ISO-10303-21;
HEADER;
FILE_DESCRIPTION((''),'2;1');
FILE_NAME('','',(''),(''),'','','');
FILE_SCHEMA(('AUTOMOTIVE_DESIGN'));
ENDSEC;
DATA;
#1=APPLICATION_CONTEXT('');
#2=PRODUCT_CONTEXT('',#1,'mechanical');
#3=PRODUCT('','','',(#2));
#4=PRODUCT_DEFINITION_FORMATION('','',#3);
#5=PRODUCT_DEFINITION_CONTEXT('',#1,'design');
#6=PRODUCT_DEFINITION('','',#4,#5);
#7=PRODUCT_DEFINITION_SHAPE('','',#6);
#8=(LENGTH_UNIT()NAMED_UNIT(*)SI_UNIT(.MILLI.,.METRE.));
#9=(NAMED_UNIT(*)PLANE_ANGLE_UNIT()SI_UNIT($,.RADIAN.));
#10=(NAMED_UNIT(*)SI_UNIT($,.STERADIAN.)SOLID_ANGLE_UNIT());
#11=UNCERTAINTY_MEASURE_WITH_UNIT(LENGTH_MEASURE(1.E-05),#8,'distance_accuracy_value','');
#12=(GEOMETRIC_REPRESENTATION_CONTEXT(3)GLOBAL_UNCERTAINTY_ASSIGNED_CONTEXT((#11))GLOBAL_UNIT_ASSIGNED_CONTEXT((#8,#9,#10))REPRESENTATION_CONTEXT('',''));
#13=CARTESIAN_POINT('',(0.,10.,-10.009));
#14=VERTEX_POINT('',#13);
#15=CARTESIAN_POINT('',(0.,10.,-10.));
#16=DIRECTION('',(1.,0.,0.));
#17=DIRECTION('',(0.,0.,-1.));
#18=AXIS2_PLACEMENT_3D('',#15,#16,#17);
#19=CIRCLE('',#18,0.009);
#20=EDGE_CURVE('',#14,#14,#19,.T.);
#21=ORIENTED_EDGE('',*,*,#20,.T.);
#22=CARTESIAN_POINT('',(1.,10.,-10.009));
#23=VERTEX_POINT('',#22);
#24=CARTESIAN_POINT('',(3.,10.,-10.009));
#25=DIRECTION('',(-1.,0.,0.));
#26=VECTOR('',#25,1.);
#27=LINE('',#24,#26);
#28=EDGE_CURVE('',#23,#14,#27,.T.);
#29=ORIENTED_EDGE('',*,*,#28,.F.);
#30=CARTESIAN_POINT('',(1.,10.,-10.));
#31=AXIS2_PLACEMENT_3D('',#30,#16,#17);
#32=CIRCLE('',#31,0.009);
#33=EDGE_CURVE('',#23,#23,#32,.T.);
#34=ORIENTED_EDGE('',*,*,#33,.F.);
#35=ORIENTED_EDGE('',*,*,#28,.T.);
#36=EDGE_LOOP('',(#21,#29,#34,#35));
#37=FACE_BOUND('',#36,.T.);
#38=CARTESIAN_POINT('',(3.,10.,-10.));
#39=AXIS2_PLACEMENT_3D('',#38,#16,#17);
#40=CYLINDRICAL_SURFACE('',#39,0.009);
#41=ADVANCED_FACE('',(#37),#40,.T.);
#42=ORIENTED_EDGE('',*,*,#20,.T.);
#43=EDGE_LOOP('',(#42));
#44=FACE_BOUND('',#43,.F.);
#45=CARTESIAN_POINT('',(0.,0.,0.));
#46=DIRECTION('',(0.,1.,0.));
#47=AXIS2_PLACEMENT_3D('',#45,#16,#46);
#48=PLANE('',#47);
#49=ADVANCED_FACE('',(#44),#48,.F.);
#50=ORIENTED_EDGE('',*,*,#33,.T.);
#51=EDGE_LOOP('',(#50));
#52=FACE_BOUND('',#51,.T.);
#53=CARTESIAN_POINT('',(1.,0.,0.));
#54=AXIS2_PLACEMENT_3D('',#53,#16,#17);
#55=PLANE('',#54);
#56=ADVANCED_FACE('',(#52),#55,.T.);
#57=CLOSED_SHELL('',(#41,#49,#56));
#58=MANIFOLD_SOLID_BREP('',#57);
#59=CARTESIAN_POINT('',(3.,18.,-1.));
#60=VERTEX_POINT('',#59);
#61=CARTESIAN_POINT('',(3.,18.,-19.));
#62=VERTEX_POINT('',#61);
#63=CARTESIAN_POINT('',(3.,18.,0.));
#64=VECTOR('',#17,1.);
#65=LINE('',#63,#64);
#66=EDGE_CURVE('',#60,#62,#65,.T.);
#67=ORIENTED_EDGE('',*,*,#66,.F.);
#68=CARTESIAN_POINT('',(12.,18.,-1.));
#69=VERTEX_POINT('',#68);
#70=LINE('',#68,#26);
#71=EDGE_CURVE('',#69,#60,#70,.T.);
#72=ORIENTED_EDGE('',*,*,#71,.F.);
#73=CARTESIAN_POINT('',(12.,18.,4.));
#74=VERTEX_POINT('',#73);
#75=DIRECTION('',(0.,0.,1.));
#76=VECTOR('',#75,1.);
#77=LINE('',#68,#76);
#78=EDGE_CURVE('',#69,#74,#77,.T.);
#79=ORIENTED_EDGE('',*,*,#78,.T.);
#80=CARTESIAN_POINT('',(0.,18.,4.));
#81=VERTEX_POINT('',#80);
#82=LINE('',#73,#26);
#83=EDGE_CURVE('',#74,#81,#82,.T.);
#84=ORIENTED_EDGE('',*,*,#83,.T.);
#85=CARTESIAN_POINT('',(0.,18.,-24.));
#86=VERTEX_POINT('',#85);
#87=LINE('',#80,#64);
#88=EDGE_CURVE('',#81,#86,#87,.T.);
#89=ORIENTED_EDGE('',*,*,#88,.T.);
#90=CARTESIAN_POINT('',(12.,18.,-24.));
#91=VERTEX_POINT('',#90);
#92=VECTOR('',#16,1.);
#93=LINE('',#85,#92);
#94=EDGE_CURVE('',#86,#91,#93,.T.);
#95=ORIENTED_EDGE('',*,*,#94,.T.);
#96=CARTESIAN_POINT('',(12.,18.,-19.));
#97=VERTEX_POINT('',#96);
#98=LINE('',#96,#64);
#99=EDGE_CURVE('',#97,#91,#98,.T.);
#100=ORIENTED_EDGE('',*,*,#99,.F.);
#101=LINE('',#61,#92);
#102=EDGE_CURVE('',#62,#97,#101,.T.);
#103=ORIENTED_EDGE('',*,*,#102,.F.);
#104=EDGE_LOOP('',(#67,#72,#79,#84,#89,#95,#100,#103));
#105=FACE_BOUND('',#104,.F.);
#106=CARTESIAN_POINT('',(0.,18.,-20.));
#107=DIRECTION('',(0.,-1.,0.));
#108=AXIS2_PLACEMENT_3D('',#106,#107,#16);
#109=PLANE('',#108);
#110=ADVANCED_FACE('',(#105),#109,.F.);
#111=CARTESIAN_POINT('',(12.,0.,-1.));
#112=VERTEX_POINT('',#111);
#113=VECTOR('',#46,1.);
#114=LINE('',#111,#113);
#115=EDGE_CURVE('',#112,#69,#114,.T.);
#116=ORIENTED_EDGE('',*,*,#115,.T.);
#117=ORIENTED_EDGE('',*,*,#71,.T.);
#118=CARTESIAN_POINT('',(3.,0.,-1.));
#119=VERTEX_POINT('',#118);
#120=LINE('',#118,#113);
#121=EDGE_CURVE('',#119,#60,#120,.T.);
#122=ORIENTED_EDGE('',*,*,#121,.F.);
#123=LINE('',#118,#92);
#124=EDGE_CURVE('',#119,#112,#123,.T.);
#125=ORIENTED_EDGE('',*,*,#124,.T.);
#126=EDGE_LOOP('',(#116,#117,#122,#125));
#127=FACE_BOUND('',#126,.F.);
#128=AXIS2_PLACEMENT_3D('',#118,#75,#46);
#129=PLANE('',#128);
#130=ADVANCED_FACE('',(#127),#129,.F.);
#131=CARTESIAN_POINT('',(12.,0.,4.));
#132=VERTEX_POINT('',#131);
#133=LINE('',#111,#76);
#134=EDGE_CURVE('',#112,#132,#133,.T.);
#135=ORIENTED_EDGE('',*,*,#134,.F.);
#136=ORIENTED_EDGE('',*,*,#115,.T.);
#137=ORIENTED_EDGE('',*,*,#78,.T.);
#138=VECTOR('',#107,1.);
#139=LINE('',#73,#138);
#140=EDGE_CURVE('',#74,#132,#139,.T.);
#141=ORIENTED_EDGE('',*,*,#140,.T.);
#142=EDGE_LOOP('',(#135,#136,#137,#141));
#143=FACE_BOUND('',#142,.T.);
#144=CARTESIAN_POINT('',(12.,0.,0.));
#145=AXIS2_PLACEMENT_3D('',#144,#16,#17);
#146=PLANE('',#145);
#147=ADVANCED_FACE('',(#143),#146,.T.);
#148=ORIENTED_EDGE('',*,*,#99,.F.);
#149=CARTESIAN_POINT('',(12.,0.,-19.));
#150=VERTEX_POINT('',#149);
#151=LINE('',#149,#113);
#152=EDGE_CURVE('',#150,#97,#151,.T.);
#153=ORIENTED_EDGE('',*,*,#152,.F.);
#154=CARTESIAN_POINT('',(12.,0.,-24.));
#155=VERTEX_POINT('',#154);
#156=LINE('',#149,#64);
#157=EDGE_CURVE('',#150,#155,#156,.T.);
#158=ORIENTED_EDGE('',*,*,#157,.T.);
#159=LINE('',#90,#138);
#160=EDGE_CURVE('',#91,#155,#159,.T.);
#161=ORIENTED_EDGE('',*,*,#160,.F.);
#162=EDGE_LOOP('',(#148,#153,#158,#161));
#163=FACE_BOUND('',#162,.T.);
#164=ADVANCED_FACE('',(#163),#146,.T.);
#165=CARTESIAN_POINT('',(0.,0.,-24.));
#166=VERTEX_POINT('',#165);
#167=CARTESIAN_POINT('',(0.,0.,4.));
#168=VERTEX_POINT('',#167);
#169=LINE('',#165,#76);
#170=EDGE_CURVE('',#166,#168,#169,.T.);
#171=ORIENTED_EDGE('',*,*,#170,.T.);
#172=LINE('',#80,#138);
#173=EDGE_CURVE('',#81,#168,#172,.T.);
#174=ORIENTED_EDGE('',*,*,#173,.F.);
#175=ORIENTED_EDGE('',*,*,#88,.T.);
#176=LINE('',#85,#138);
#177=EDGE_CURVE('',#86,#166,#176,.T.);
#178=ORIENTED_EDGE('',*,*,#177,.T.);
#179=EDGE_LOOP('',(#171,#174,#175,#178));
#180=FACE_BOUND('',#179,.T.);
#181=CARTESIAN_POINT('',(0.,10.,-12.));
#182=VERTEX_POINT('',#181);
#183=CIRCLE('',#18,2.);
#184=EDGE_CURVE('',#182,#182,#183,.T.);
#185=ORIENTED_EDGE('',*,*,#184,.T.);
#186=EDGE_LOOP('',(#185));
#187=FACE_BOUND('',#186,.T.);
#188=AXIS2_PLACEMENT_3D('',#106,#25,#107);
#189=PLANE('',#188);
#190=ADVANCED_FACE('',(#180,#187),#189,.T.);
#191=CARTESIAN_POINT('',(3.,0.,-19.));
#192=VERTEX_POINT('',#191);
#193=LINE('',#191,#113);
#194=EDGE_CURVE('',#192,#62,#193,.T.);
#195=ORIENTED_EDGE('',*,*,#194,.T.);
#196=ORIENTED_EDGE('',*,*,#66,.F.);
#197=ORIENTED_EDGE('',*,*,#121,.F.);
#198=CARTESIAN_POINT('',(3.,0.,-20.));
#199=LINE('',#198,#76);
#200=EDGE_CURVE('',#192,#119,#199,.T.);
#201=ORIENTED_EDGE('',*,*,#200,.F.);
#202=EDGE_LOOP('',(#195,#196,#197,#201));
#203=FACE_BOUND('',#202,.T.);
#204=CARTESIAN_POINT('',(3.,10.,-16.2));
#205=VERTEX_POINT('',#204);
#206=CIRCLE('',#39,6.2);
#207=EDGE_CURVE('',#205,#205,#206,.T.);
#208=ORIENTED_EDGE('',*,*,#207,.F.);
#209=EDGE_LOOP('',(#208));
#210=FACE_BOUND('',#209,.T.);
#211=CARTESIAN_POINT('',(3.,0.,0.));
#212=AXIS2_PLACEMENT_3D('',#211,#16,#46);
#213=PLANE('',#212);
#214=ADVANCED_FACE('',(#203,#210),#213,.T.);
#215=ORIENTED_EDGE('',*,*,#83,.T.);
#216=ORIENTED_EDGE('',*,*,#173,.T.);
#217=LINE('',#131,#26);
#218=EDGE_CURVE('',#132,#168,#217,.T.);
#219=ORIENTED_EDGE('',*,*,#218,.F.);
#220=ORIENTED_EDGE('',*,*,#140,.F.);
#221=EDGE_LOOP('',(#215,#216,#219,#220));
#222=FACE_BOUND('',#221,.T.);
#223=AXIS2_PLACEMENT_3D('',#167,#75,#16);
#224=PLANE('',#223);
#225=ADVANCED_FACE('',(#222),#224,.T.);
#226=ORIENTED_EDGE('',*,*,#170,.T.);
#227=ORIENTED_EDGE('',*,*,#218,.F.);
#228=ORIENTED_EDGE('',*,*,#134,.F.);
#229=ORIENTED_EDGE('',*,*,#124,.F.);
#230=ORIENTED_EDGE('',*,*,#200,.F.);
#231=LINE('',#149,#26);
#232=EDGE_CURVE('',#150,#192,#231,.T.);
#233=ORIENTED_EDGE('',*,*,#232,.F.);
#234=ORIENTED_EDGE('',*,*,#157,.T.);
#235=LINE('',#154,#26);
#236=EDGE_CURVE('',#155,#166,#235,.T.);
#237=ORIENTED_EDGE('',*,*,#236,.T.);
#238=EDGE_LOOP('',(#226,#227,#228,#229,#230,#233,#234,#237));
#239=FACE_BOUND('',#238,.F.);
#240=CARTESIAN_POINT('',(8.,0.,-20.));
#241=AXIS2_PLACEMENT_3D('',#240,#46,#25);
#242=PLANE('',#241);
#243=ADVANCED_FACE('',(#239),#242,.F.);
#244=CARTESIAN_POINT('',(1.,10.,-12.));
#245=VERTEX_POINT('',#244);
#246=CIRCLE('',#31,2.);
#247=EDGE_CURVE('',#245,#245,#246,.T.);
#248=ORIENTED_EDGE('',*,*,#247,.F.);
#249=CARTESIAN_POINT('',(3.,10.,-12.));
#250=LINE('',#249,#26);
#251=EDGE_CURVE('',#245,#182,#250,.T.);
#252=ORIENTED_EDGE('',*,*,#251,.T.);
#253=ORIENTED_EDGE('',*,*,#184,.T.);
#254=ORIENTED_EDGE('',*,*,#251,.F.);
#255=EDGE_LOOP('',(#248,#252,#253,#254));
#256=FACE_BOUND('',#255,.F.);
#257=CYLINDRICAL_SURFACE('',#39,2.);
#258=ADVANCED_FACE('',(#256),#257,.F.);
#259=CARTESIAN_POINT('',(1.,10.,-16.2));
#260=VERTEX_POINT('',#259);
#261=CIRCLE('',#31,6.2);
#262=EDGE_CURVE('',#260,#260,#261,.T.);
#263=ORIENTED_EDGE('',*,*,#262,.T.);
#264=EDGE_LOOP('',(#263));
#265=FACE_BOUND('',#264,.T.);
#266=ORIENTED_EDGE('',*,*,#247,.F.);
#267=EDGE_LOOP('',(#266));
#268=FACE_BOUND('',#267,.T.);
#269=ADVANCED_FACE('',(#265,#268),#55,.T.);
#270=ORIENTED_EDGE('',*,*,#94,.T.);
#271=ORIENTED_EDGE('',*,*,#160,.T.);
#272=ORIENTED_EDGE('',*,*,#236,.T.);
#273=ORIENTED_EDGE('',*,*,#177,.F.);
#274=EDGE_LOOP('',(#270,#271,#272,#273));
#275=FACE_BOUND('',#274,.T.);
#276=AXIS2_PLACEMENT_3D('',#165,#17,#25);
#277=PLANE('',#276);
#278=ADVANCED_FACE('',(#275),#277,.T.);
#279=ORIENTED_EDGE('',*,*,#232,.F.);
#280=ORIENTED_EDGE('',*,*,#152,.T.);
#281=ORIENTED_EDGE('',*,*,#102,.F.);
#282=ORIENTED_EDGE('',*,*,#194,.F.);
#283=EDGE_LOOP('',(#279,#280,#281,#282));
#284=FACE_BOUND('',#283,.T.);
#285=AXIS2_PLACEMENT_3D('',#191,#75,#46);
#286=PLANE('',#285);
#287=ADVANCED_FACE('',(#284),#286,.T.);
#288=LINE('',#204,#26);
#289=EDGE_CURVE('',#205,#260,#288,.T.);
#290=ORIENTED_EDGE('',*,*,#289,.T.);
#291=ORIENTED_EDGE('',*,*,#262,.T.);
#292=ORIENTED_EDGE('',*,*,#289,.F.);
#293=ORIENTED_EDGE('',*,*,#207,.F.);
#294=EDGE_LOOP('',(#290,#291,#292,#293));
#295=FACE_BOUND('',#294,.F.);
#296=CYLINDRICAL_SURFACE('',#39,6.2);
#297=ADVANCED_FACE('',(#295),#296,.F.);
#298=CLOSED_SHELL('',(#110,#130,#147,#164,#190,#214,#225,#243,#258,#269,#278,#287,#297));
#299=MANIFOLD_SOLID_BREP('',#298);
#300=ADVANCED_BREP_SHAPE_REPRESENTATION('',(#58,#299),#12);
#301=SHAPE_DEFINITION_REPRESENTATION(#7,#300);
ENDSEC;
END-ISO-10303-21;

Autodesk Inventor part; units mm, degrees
ref_plane "YZ Plane" through (0, 0, 0) normal (1, 0, 0) x (0, 1, 0)
ref_plane "XZ Plane" through (0, 0, 0) normal (0, 1, 0) x (-1, 0, 0)
ref_plane "XY Plane" through (0, 0, 0) normal (0, 0, 1) x (1, 0, 0)
sketch "Sketch1" plane through (0, 0, 0) normal (1, 0, 0) x (0, 1, 0)
  line L0 (0, 0) -> (18, 0)
  line L1 (18, 0) -> (18, -20)
  line L2 (18, -20) -> (0, -20)
  line L3 (0, -20) -> (0, 0)
  dimension "d0" = 18
  dimension "d1" = 20
extrude "Extrusion1" add sketch "Sketch1" along normal blind 3
sketch "Sketch2" plane through (3, 0, 0) normal (1, 0, 0) x (0, 0, -1)
  line L0 (0, 0) -> (20, 0) projected
  line L1 (20, 18) -> (0, 18) projected
  line L2 (0, 0) -> (1, 0)
  line L3 (1, 0) -> (1, 18)
  line L4 (1, 18) -> (0, 18)
  line L5 (0, 18) -> (0, 0)
  line L6 (20, 0) -> (20, 18) projected
  line L7 (20, 0) -> (19, 0)
  line L8 (19, 0) -> (19, 18)
  line L9 (19, 18) -> (20, 18)
  line L10 (20, 18) -> (20, 0)
  dimension "d4" = 1
  dimension "d5" = 1
extrude "Extrusion2" add sketch "Sketch2" along normal blind 5 contours L5 L1 L3 L0 | L8 L1 L6 L0
sketch "Sketch3" plane through (3, 0, 0) normal (1, 0, 0) x (0, 0, -1)
  circle A0 centre (10, 10) radius 0.009
  circle A1 centre (10, 10) radius 2
  point P0 (0, 0)
  dimension "d8" = 4
extrude "Extrusion3" cut sketch "Sketch3" against normal blind 5
sketch "Sketch4" plane through (0, 0, 0) normal (0, 0, 1) x (1, 0, 0)
  line L0 (0, 0) -> (8, 0)
  line L1 (8, 0) -> (8, 18)
  line L2 (8, 18) -> (0, 18)
  line L3 (0, 18) -> (0, 0)
extrude "Extrusion4" add sketch "Sketch4" along normal blind 4
sketch "Sketch5" plane through (0, 0, -20) normal (0, 0, -1) x (-1, 0, 0)
  line L0 (0, 18) -> (0, 0) projected
  line L1 (-8, 0) -> (-8, 18) projected
  line L2 (0, 18) -> (-8, 18)
  line L3 (-8, 18) -> (-8, 0)
  line L4 (-8, 0) -> (0, 0)
  line L5 (0, 0) -> (0, 18)
extrude "Extrusion5" add sketch "Sketch5" along normal blind 4
sketch "Sketch6" plane through (8, 0, 0) normal (1, 0, 0) x (0, 0, -1)
  line L0 (19, 0) -> (24, 0) projected
  line L1 (24, 0) -> (19, 0)
  line L2 (19, 0) -> (19, 18)
  line L3 (19, 18) -> (24, 18)
  line L4 (24, 18) -> (24, 0)
  line L5 (1, 0) -> (-4, 0) projected
  line L6 (1, 0) -> (1, 18) projected
  line L7 (-4, 0) -> (1, 0)
  line L8 (1, 0) -> (1, 18)
  line L9 (1, 18) -> (-4, 18)
  line L10 (-4, 18) -> (-4, 0)
  point P0 (0, 0)
extrude "Extrusion6" add sketch "Sketch6" along normal blind 4
sketch "Sketch7" plane through (3, 0, 0) normal (1, 0, 0) x (0, 0, -1)
  circle A0 centre (10, 10) radius 0.009 projected
  circle A1 centre (10, 10) radius 6
  point P0 (0, 0)
  dimension "d17" = 12
extrude "Extrusion7" cut sketch "Sketch7" against normal blind 2
sketch "Sketch8" plane through (3, 0, 0) normal (1, 0, 0) x (0, 0, -1)
  circle A0 centre (10, 10) radius 0.009 projected
  circle A1 centre (10, 10) radius 6.2
  point P0 (0, 0)
  dimension "d20" = 12.4
extrude "Extrusion8" cut sketch "Sketch8" against normal blind 2 contours A0 | A1
properties part number "holdervegg"
